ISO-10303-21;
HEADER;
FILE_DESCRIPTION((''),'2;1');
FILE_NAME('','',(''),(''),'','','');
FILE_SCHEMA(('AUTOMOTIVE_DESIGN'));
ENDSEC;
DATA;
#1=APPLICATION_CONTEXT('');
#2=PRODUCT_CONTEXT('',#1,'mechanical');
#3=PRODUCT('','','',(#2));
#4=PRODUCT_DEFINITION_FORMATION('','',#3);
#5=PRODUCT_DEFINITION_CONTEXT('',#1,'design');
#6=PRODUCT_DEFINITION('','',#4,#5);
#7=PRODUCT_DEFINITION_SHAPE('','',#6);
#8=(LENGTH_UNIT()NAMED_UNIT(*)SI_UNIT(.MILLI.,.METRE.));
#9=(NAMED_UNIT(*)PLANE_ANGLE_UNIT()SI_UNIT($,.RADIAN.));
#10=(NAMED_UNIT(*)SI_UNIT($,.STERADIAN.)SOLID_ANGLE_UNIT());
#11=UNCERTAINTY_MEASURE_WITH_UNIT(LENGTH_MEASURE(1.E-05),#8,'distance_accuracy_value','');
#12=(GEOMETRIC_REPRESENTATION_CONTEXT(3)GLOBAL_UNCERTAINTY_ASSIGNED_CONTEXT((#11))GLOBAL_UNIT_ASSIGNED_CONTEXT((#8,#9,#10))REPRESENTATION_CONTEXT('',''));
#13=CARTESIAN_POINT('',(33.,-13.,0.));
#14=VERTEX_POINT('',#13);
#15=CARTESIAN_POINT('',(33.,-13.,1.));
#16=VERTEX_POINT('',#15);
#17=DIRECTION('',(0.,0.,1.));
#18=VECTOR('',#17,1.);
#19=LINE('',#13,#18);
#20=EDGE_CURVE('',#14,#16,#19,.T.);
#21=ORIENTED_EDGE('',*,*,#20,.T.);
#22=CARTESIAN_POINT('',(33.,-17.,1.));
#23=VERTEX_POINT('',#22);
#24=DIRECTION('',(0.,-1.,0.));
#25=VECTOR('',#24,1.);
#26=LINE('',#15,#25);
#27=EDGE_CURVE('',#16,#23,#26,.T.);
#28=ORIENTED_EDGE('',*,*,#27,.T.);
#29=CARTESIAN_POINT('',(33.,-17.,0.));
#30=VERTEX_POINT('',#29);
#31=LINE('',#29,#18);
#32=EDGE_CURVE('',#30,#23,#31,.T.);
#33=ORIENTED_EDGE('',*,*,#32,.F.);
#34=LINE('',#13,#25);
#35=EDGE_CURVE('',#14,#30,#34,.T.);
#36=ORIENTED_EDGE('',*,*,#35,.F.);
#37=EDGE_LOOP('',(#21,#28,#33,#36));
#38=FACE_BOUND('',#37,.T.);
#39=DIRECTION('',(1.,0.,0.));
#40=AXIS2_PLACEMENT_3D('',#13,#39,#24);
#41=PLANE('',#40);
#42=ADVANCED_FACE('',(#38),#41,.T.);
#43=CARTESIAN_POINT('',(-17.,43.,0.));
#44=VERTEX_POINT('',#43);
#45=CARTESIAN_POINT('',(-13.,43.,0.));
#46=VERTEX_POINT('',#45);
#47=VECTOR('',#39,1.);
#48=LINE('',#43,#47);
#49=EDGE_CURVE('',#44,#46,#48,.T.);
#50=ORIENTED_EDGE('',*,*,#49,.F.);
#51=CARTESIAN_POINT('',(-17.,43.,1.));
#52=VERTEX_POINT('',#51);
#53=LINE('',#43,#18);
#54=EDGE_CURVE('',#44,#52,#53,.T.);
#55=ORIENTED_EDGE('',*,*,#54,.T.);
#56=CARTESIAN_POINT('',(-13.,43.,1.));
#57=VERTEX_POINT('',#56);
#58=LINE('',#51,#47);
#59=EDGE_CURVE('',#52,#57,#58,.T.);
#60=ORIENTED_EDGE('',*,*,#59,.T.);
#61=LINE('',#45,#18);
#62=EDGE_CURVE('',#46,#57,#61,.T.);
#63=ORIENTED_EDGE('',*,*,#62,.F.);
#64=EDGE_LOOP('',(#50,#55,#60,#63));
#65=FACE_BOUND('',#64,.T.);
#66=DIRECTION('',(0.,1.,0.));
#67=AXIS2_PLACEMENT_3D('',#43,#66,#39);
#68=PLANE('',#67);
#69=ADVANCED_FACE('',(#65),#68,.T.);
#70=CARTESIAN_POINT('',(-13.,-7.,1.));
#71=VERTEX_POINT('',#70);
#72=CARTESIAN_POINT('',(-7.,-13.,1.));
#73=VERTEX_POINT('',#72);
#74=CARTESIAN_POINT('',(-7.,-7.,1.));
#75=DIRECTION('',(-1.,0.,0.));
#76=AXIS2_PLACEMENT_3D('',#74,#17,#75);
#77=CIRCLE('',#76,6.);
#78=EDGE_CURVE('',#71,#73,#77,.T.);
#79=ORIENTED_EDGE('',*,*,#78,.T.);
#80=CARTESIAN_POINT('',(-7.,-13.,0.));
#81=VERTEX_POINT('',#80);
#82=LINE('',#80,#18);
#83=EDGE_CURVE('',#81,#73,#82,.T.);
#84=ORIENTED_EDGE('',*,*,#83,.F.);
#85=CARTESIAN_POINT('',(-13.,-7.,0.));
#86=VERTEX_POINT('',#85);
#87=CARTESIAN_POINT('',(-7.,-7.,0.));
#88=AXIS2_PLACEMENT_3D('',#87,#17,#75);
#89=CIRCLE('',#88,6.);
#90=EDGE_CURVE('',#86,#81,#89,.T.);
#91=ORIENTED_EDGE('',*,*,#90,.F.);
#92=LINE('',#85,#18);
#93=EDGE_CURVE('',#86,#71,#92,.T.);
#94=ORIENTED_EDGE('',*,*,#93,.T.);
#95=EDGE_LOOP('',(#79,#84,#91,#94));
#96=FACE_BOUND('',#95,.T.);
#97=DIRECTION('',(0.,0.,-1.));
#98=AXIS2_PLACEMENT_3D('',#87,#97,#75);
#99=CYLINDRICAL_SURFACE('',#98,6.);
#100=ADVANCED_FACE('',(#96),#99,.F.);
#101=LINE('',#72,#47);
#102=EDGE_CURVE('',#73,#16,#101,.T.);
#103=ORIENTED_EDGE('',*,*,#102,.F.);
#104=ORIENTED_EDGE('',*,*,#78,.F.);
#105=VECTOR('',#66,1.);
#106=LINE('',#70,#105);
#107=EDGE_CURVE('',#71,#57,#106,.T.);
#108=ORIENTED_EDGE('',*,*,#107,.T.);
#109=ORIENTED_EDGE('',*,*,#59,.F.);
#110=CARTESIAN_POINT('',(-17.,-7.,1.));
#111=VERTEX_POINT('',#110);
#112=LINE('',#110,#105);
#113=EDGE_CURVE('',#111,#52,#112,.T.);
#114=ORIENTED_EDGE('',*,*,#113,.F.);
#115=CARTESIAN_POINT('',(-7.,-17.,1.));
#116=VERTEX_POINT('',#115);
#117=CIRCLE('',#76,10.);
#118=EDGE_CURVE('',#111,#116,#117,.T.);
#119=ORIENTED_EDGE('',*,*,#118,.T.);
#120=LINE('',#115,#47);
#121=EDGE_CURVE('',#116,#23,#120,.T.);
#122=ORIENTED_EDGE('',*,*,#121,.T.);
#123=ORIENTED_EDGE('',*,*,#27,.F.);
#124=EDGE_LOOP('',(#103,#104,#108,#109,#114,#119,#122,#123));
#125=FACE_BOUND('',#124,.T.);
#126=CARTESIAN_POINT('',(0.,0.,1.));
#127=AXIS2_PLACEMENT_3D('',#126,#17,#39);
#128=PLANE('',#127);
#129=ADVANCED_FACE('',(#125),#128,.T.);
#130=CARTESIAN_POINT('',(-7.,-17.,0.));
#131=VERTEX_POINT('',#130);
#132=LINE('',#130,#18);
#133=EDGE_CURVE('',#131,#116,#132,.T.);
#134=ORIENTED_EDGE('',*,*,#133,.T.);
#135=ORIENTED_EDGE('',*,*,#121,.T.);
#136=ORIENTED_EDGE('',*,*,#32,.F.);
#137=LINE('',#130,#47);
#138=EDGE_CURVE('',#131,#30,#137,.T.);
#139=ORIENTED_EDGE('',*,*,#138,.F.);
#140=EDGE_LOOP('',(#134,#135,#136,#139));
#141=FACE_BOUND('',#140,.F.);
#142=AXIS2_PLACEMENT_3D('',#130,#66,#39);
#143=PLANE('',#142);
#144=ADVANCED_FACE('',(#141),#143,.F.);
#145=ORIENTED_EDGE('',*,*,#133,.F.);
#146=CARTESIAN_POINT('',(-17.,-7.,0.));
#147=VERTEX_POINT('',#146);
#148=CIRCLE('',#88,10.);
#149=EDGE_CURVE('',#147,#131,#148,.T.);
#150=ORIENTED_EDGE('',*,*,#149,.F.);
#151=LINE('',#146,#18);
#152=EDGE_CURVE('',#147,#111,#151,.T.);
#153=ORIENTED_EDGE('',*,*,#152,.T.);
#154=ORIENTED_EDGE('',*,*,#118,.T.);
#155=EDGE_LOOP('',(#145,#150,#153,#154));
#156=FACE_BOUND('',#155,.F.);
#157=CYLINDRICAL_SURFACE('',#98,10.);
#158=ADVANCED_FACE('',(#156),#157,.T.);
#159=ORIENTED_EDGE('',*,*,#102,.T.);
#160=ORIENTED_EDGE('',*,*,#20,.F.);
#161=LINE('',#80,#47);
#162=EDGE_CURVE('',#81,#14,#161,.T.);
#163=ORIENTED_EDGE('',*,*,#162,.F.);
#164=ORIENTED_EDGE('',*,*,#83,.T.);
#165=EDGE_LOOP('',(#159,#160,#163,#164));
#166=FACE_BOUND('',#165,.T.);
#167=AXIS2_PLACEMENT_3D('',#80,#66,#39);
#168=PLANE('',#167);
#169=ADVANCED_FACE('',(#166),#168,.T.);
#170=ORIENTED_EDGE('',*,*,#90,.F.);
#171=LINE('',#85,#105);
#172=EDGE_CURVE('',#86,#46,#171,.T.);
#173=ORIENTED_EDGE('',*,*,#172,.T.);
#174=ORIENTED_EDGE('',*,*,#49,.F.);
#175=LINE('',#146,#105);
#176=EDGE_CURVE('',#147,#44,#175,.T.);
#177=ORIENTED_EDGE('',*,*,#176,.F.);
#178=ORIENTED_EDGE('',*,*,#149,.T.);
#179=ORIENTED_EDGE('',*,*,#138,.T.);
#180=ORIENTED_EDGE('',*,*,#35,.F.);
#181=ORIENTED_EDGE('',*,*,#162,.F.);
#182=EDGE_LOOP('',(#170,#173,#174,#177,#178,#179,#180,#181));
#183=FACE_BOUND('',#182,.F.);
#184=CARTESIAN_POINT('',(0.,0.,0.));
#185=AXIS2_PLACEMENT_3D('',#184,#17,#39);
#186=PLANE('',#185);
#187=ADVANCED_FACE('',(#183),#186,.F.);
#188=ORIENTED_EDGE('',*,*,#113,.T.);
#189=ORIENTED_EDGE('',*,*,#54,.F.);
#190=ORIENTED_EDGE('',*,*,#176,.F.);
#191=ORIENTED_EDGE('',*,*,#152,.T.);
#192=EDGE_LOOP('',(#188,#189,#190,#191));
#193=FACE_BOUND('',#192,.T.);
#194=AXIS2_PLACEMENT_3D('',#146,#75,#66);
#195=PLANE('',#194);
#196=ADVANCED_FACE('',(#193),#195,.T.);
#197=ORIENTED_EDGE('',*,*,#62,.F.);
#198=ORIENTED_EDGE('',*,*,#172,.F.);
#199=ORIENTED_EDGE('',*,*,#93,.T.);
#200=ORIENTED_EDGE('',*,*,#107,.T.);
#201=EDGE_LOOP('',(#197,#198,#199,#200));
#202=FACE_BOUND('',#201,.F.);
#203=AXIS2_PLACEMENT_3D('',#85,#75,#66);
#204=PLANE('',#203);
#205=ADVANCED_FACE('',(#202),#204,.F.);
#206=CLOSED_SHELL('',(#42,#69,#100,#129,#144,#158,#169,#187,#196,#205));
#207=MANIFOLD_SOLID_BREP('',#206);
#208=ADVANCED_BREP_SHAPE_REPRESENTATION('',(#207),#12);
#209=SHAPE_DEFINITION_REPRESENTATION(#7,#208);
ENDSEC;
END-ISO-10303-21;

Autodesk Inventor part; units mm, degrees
ref_plane "YZ Plane" through (0, 0, 0) normal (1, 0, 0) x (0, 1, 0)
ref_plane "Начальная плоскость" through (0, 0, 0) normal (0, 0, 1) x (1, 0, 0)
ref_plane "Конечная плоскость" through (0, 0, 1) normal (0, 0, 1) x (1, 0, 0)
sketch "Эскиз" plane through (0, 0, 0) normal (0, 0, 1) x (1, 0, 0)
  line L0 (-13, -7) -> (-13, 43)
  line L1 (-17, 43) -> (-13, 43)
  line L2 (-17, -7) -> (-17, 43)
  line L3 (-7, -17) -> (33, -17)
  line L4 (33, -13) -> (33, -17)
  line L5 (-7, -13) -> (33, -13)
  arc A0 (-13, -7) -> (-7, -13) centre (-7, -7) ccw
  arc A1 (-17, -7) -> (-7, -17) centre (-7, -7) ccw
  line L6 (-17, 0) -> (23, 0) construction
  line L7 (0, -17) -> (0, 33) construction
  line L8 (0, 0) -> (50, 0) construction
  point P0 (-13, -13)
  point P1 (-17, -17)
  dimension "d17" = 6
  dimension "d18" = 10
  dimension "d25" = 17
  dimension "d26" = 17
  dimension "d27" = 90
  dimension "d28" = 50
  dimension "d29" = 60
  dimension "d30" = 4
  dimension "d31" = 4
  dimension "d32" = 50
extrude "Базовый элемент" add sketch "Эскиз" along normal up to surface (1 mm away) from surface at 0
sketch "Sketch3" plane through (0, 0, 0) normal (0, 0, 1) x (1, 0, 0)
  line L0 (0, 0) -> (10, 0)
ref_plane "Work Plane10" through (0, 0, 0) normal (0, -1, 0) x (1, 0, 0)
sketch "Sketch4" plane through (0, 0, 0) normal (0, -1, 0) x (1, 0, 0)
  line L0 (-2, 0) -> (12, 0)
  line L1 (-2, 1) -> (12, 1)
  dimension "d24" = 1
equation "\"d17\" = R"
equation "\"d18\" = R + ParT"
equation "\"d25\" = ey"
equation "\"d26\" = ex"
equation "\"d28\" = a"
equation "\"d29\" = b"
equation "\"d30\" = ParT"
equation "\"d31\" = ParT"
equation "\"d32\" = d28"
equation "\"d11\" = G_L"
equation "\"b\" = 60"
equation "\"ParT\" = 4"
equation "\"R\" = 6"
equation "\"G_L\" = d24"
equation "\"G_OFFSET_START\" = 0"
equation "\"G_OFFSET_END\" = 0"
equation "\"d20\" = G_OFFSET_END + B_L"
equation "\"ex\" = 17"
equation "\"ey\" = ex"
equation "\"B_L\" = 1"
equation "\"a\" = 50"
properties part number "ДСТУ 2254-93 (Гнутий рівнобокий)" material "С245 ДСТУ 8539"
